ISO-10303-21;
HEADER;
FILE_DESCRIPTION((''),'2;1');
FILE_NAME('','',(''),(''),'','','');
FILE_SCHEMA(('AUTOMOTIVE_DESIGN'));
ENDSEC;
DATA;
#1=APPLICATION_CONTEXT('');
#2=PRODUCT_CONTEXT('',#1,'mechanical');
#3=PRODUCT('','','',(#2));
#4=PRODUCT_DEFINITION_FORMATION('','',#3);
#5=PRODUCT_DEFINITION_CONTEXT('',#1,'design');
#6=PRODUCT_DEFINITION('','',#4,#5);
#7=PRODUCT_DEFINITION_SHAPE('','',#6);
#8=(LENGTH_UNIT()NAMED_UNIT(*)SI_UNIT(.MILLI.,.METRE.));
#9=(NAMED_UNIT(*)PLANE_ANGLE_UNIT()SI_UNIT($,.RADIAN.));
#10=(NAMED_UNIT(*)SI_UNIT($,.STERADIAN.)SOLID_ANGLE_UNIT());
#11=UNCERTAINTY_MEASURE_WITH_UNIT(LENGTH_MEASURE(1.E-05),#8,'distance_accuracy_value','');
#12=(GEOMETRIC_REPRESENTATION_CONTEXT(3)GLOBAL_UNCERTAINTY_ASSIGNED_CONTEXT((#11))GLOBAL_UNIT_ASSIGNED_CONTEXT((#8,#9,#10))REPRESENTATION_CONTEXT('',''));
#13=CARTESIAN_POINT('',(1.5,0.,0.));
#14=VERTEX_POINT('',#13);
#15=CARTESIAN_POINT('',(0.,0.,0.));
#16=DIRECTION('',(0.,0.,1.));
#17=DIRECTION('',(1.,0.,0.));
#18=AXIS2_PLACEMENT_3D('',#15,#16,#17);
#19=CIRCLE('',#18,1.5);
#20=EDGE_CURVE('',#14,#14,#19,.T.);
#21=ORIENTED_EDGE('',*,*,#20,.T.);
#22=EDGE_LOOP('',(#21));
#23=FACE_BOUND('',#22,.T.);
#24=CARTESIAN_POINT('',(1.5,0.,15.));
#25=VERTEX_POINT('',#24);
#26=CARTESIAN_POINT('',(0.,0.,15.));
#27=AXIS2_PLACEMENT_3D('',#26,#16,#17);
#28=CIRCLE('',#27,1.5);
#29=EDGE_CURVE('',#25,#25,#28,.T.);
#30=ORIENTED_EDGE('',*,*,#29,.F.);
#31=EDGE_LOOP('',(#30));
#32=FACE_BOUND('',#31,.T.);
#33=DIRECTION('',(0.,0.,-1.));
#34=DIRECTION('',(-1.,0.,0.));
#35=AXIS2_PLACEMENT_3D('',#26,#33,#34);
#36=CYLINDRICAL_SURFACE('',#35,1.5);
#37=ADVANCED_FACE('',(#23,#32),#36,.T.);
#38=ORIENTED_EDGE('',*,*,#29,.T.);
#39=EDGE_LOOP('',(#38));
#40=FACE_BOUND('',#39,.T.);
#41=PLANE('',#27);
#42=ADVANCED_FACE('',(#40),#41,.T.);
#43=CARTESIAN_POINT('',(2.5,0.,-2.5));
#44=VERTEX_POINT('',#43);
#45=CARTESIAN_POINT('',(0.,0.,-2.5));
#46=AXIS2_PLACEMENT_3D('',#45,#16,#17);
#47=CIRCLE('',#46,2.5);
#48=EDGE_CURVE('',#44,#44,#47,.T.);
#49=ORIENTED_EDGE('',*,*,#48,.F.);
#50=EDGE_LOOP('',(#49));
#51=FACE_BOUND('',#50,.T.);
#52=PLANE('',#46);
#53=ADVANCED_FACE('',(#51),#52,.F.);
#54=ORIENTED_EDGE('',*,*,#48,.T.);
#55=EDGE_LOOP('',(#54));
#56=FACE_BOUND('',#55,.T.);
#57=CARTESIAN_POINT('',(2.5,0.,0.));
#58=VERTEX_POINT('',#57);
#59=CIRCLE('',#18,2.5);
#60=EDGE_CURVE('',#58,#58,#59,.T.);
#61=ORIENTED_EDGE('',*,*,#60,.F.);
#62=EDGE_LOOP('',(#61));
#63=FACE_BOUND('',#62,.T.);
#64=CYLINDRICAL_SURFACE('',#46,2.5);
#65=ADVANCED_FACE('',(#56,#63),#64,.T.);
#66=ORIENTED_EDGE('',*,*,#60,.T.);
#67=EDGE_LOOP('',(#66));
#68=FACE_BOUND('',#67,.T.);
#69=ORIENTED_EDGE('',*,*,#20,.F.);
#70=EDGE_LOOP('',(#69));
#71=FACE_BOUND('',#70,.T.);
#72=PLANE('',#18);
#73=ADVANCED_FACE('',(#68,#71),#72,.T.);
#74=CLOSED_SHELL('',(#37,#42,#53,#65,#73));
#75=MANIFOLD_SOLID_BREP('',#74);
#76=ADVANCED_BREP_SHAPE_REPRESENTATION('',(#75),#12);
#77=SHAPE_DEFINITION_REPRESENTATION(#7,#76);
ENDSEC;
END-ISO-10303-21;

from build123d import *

# Parameters (mm, degrees)
SKETCH1_R           = 2.5
BOSS_EXTRUDE3_DEPTH = 2.5
SKETCH1_3_R         = 1.5
BOSS_EXTRUDE4_DEPTH = 15


with BuildPart() as part:
    # Sketch1 → Boss-Extrude3 (new body)
    with BuildSketch(Plane.XY):
        Circle(SKETCH1_R)
    extrude(amount=-BOSS_EXTRUDE3_DEPTH)

    # Sketch1<3> → Boss-Extrude4 (add)
    with BuildSketch(Plane.XY):
        Circle(SKETCH1_3_R)
    extrude(amount=BOSS_EXTRUDE4_DEPTH)


solid = part.part
